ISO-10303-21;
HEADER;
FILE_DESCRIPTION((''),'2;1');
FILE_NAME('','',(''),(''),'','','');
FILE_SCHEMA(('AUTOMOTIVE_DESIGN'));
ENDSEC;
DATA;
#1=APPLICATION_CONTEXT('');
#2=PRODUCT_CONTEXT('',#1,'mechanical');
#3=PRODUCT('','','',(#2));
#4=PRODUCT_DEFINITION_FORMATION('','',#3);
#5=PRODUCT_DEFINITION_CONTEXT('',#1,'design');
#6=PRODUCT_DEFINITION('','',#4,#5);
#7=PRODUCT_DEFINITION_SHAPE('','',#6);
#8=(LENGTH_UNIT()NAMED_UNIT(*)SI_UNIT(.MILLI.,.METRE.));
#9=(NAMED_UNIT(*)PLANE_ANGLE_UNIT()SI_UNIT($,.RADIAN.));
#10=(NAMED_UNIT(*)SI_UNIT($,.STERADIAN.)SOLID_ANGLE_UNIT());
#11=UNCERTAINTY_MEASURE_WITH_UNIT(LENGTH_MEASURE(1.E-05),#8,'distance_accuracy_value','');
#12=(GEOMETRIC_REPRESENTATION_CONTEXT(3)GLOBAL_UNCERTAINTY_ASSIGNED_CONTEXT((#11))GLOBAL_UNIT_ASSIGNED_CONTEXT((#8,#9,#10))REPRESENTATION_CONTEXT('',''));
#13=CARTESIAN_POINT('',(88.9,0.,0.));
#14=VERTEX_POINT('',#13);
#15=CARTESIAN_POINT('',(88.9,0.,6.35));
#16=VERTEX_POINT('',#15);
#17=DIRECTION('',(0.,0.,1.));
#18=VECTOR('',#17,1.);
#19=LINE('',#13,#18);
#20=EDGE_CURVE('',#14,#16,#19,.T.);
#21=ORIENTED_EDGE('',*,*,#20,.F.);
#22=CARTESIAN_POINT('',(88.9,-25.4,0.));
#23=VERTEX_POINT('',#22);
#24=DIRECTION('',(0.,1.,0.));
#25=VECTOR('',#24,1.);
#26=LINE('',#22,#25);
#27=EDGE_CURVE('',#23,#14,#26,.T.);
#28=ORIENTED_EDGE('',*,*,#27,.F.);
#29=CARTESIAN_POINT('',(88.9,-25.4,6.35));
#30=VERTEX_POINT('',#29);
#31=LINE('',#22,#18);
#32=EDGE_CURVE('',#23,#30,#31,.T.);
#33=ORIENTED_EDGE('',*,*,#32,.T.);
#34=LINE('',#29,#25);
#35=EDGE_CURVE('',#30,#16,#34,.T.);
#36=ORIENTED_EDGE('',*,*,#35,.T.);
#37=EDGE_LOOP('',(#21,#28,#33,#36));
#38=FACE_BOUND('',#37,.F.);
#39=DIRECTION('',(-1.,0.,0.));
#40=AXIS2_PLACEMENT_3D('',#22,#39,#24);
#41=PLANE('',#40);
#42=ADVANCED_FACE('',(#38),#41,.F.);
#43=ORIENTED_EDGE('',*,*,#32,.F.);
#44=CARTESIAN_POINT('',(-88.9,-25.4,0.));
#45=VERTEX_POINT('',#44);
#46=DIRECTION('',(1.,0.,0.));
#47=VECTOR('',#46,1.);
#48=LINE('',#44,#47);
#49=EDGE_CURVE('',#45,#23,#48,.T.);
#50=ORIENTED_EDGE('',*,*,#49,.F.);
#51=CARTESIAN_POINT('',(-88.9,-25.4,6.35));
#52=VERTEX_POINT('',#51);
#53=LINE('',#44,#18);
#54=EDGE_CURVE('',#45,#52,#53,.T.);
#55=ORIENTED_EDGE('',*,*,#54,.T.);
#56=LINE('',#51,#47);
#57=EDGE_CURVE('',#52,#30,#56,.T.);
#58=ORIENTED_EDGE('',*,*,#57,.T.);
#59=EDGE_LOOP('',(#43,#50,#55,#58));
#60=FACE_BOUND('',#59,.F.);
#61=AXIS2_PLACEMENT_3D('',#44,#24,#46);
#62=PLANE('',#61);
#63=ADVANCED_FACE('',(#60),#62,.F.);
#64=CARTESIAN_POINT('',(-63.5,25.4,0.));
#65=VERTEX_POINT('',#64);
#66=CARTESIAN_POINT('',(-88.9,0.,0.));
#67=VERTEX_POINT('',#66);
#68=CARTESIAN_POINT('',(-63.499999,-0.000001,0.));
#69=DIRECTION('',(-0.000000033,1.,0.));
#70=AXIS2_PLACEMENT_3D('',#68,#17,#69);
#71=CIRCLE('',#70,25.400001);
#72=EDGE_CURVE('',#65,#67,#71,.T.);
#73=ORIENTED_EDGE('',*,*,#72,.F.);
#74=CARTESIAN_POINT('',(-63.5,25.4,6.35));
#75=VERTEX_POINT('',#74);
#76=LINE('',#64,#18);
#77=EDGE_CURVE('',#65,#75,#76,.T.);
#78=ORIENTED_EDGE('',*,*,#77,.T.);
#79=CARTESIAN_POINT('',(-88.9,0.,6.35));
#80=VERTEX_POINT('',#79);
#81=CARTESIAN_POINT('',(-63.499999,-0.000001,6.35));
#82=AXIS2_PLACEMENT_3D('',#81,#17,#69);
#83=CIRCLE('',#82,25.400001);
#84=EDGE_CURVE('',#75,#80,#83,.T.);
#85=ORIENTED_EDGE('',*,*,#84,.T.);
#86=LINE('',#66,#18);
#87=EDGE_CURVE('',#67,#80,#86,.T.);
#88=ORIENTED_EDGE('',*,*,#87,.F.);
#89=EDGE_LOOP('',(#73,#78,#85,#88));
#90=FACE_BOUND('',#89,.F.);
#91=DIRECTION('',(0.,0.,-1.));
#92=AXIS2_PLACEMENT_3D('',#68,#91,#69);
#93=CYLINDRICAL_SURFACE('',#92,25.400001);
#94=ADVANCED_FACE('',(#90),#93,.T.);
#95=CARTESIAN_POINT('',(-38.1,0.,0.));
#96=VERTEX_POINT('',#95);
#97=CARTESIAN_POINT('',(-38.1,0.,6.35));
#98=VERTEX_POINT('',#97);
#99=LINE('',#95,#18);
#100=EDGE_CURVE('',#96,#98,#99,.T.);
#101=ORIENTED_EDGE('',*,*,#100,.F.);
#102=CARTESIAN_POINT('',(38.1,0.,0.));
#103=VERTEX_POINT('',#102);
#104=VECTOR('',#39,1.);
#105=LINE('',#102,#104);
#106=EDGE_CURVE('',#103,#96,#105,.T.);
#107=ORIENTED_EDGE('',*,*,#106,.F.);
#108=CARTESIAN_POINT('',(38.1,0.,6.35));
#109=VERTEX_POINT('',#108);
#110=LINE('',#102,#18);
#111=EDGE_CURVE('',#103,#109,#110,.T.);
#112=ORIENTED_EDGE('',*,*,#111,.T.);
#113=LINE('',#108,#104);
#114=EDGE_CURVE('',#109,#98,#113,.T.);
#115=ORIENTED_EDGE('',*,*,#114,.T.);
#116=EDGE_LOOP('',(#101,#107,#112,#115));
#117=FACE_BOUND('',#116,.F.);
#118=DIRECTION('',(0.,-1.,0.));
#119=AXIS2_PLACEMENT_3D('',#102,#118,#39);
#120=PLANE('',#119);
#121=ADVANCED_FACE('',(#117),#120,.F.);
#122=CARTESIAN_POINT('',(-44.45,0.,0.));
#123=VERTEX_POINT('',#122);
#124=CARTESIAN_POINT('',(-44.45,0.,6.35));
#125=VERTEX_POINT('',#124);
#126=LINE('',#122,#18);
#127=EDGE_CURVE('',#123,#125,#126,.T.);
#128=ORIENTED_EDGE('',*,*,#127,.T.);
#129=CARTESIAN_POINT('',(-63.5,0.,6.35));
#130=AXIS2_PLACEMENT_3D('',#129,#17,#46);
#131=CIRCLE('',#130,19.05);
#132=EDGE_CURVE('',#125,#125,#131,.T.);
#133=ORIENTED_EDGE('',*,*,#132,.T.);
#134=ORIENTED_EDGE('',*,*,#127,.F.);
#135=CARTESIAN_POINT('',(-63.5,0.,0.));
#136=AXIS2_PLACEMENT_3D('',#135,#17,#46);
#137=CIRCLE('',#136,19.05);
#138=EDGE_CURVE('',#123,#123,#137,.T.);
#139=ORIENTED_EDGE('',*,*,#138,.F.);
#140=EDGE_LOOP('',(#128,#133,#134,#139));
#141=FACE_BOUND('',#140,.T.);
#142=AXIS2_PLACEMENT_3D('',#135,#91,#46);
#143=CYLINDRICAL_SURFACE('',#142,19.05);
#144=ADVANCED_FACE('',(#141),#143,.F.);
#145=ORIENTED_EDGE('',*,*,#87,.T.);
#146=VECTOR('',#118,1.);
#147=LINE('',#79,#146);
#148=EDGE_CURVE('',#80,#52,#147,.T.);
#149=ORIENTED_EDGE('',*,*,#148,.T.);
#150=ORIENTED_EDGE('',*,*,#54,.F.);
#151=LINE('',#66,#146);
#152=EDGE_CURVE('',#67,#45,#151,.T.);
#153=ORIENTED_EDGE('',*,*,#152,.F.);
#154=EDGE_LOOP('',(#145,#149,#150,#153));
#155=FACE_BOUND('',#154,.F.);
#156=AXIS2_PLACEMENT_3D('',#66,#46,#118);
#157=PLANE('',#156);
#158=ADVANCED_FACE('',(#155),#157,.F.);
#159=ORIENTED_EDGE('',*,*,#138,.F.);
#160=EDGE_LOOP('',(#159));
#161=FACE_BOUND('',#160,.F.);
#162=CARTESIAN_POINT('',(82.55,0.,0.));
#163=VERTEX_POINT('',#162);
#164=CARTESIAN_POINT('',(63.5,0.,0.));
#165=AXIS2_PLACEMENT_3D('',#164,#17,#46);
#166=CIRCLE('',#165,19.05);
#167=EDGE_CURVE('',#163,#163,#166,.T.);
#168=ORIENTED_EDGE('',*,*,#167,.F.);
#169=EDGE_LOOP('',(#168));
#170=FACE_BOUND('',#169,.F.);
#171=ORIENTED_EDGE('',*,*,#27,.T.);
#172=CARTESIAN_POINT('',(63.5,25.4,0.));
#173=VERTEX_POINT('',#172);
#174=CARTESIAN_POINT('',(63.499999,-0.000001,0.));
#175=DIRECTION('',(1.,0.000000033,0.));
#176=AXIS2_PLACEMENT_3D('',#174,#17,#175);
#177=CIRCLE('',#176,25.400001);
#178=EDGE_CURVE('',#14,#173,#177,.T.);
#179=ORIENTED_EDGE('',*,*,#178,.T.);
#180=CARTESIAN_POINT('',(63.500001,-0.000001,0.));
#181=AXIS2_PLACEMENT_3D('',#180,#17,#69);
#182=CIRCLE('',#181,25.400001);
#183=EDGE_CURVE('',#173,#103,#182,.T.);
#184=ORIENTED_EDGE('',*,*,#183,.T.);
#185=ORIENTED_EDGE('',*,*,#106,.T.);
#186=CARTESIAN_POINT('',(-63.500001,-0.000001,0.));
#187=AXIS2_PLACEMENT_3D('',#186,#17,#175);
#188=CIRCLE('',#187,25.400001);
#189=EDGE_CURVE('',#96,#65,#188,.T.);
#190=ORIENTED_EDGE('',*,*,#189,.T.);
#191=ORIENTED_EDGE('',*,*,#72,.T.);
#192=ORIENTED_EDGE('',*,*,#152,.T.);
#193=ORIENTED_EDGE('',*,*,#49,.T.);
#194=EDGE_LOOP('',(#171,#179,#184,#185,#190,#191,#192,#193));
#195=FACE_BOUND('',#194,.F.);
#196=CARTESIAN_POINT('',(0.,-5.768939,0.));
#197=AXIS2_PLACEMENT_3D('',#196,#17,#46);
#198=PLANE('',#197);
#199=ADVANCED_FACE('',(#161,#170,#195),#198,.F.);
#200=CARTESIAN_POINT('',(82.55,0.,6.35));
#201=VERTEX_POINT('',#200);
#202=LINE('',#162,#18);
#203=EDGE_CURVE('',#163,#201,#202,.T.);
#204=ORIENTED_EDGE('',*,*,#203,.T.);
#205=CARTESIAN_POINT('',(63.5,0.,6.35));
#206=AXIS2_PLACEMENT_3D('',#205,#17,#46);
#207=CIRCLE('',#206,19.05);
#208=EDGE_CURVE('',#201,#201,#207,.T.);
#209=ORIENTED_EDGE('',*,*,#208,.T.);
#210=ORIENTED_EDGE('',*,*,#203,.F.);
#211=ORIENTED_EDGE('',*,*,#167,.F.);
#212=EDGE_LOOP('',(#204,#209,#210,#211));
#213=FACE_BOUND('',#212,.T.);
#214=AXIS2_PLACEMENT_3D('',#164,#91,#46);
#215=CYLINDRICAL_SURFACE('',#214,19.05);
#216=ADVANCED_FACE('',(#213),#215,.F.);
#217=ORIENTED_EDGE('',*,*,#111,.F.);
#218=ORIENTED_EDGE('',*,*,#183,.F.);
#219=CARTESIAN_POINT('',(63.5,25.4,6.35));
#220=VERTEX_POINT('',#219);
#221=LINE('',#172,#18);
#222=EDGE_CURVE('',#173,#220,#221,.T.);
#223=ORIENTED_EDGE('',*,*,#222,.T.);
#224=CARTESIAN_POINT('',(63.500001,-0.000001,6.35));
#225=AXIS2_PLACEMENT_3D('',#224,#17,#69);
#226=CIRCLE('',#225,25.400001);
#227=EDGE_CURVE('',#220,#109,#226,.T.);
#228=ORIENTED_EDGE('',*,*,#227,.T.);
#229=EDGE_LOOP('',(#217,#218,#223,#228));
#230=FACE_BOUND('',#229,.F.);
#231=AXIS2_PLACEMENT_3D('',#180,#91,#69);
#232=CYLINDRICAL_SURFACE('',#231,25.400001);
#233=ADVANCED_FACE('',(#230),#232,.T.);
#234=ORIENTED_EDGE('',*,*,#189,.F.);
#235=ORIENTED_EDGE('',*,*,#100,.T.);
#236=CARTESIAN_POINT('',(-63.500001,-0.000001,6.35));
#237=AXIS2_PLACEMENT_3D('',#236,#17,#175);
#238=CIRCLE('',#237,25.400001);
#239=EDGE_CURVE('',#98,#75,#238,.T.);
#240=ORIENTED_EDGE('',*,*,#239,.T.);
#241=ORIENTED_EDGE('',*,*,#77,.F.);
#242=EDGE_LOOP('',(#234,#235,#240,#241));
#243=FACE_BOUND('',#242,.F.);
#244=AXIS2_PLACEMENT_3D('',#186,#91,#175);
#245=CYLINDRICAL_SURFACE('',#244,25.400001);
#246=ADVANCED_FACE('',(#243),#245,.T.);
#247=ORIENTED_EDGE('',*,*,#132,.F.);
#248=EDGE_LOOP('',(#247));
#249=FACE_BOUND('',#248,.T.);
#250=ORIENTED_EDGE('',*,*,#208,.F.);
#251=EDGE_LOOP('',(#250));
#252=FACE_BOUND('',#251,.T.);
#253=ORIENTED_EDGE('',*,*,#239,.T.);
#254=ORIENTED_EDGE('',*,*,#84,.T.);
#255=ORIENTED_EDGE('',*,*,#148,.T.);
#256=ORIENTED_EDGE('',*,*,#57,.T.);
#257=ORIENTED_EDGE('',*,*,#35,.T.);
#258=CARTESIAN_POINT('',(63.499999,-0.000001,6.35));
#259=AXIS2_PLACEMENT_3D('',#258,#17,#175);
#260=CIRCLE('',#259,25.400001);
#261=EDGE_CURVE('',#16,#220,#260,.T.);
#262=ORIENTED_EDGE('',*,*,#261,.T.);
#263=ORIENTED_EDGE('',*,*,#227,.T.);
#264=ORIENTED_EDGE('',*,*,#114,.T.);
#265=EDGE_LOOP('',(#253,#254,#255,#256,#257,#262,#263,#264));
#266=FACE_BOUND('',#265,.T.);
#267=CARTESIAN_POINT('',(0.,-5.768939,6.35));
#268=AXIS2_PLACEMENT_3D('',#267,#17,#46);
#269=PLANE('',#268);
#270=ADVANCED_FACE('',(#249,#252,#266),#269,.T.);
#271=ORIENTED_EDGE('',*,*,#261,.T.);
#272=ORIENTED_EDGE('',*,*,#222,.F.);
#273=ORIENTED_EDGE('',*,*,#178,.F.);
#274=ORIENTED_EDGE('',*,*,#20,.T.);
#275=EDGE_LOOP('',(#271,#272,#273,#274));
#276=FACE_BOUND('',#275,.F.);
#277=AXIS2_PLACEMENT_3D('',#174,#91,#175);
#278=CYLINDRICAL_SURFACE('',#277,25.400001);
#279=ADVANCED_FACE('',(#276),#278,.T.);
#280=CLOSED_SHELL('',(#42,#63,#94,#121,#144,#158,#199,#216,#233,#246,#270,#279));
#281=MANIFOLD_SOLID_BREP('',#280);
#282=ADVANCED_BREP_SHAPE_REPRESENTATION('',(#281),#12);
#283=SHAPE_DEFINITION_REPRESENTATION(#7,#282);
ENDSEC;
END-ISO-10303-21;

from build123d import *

# Parameters (mm, degrees)
F0_R     = 19.05
F1_DEPTH = 6.35


with BuildPart() as f1:
    # F0 (on Top) → F1 (new body)
    with BuildSketch(Plane.XY):
        with BuildLine():
            Line((-88.9, 0), (-88.9, -25.4))
            Line((-88.9, -25.4), (88.9, -25.4))
            Line((88.9, -25.4), (88.9, 0))
            ThreePointArc((88.9, 0), (81.460512, 17.960512), (63.5, 25.4))
            ThreePointArc((63.5, 25.4), (45.539488, 17.960512), (38.1, 0))
            Line((38.1, 0), (-38.1, 0))
            ThreePointArc((-38.1, 0), (-45.539488, 17.960512), (-63.5, 25.4))
            ThreePointArc((-63.5, 25.4), (-81.460512, 17.960512), (-88.9, 0))
        make_face()
        with Locations((-63.5, 0)):
            Circle(F0_R, mode=Mode.SUBTRACT)
        with Locations((63.5, 0)):
            Circle(F0_R, mode=Mode.SUBTRACT)
    extrude(amount=F1_DEPTH)


solid = f1.part
